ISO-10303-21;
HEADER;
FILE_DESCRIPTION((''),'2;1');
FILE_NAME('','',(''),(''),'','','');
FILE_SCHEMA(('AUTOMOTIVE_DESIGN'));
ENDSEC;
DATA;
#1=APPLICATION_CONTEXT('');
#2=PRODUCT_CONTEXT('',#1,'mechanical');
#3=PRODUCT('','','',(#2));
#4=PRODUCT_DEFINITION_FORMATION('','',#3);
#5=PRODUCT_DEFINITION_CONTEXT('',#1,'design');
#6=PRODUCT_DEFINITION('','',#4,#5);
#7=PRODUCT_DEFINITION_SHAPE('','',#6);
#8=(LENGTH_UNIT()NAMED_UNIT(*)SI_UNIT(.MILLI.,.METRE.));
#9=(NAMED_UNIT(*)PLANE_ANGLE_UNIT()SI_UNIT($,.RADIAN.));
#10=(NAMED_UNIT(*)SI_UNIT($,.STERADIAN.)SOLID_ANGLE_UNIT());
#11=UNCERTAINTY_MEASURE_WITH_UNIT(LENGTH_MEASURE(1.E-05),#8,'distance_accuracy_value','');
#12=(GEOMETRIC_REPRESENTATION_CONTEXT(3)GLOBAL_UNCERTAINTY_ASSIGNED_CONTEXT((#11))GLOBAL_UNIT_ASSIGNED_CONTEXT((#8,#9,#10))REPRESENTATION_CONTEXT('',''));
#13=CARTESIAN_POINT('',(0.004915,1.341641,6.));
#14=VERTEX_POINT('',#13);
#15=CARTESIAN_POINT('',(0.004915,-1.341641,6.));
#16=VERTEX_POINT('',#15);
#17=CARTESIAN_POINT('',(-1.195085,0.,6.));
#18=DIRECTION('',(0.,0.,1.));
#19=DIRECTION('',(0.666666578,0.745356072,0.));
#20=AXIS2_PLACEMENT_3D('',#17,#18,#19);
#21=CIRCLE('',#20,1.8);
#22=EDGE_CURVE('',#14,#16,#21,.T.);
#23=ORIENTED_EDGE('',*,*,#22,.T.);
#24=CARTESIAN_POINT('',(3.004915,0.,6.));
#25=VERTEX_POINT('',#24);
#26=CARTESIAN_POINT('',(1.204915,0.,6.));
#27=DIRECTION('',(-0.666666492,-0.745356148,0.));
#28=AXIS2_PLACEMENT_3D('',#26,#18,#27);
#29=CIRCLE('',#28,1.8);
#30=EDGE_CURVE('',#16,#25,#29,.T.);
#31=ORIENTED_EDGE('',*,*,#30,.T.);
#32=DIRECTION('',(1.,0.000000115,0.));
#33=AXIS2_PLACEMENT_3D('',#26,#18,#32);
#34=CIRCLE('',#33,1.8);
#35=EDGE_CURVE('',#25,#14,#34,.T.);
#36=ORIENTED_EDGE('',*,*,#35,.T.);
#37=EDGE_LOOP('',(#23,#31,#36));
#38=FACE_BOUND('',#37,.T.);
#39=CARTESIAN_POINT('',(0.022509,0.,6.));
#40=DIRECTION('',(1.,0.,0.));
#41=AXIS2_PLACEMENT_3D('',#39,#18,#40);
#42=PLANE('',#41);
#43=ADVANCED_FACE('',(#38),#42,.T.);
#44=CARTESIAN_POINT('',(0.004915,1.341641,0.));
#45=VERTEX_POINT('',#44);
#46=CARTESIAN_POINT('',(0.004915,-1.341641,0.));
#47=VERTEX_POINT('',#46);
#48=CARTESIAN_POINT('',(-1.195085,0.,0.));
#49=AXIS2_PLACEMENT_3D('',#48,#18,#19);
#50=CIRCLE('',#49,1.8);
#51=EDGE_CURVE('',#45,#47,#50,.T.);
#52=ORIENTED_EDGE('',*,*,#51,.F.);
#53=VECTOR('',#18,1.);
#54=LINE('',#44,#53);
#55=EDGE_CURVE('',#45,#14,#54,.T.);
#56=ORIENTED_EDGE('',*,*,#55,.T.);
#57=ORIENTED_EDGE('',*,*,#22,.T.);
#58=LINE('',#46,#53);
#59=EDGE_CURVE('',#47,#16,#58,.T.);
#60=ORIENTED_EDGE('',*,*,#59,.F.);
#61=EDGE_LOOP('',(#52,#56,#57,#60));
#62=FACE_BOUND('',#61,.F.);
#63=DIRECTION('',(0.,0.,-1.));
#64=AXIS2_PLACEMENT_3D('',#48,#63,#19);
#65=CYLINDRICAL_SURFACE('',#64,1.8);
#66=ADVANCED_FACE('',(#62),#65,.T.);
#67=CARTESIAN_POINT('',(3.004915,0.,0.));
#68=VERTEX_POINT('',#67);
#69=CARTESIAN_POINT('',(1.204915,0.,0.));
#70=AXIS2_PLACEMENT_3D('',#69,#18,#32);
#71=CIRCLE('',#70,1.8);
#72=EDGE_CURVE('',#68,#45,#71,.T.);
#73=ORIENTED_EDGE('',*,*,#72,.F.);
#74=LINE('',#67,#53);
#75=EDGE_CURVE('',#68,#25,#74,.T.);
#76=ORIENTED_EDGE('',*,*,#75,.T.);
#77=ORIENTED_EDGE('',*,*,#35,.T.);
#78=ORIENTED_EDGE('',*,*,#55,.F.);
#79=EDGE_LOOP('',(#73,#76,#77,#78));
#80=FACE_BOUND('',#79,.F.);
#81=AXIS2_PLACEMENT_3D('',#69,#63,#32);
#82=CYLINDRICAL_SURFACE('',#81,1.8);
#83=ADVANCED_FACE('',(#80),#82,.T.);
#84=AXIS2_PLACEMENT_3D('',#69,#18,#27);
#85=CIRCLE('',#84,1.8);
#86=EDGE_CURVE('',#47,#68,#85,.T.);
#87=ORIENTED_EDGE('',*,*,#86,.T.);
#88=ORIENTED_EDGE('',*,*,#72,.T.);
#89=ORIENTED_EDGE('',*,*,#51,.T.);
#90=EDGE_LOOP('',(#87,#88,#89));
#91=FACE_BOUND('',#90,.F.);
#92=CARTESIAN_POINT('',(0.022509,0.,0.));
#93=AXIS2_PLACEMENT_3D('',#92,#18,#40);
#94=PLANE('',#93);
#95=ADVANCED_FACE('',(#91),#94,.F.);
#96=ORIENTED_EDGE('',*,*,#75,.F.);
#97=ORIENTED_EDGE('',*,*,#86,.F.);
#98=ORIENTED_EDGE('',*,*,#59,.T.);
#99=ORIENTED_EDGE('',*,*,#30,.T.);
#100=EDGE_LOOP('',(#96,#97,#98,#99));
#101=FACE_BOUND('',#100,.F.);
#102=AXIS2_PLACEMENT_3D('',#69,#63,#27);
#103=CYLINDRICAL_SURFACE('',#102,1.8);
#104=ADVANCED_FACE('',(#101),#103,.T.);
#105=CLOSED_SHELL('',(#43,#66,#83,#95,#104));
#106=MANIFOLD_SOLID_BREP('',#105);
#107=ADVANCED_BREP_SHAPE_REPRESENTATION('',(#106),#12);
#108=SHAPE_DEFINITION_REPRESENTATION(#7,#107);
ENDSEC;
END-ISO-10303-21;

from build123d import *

# Parameters (mm, degrees)
F1_DEPTH = 6


with BuildPart() as f1:
    # F0 (on Top) → F1 (new body)
    with BuildSketch(Plane.XY):
        with BuildLine():
            ThreePointArc((0.004915, -1.341641), (0.448082, -0.734847), (0.604915, 0))
            ThreePointArc((0.604915, 0), (0.448082, 0.734847), (0.004915, 1.341641))
            ThreePointArc((0.004915, 1.341641), (-0.595085, 0), (0.004915, -1.341641))
        make_face()
        with BuildLine():
            ThreePointArc((0.004915, -1.341641), (-0.595085, 0), (0.004915, 1.341641))
            ThreePointArc((0.004915, 1.341641), (-2.995085, 0), (0.004915, -1.341641))
        make_face()
        with BuildLine():
            ThreePointArc((0.004915, 1.341641), (0.448082, 0.734847), (0.604915, 0))
            ThreePointArc((0.604915, 0), (0.448082, -0.734847), (0.004915, -1.341641))
            ThreePointArc((0.004915, -1.341641), (1.939761, -1.643168), (3.004915, 0))
            ThreePointArc((3.004915, 0), (1.939761, 1.643168), (0.004915, 1.341641))
        make_face()
    extrude(amount=F1_DEPTH)


solid = f1.part
